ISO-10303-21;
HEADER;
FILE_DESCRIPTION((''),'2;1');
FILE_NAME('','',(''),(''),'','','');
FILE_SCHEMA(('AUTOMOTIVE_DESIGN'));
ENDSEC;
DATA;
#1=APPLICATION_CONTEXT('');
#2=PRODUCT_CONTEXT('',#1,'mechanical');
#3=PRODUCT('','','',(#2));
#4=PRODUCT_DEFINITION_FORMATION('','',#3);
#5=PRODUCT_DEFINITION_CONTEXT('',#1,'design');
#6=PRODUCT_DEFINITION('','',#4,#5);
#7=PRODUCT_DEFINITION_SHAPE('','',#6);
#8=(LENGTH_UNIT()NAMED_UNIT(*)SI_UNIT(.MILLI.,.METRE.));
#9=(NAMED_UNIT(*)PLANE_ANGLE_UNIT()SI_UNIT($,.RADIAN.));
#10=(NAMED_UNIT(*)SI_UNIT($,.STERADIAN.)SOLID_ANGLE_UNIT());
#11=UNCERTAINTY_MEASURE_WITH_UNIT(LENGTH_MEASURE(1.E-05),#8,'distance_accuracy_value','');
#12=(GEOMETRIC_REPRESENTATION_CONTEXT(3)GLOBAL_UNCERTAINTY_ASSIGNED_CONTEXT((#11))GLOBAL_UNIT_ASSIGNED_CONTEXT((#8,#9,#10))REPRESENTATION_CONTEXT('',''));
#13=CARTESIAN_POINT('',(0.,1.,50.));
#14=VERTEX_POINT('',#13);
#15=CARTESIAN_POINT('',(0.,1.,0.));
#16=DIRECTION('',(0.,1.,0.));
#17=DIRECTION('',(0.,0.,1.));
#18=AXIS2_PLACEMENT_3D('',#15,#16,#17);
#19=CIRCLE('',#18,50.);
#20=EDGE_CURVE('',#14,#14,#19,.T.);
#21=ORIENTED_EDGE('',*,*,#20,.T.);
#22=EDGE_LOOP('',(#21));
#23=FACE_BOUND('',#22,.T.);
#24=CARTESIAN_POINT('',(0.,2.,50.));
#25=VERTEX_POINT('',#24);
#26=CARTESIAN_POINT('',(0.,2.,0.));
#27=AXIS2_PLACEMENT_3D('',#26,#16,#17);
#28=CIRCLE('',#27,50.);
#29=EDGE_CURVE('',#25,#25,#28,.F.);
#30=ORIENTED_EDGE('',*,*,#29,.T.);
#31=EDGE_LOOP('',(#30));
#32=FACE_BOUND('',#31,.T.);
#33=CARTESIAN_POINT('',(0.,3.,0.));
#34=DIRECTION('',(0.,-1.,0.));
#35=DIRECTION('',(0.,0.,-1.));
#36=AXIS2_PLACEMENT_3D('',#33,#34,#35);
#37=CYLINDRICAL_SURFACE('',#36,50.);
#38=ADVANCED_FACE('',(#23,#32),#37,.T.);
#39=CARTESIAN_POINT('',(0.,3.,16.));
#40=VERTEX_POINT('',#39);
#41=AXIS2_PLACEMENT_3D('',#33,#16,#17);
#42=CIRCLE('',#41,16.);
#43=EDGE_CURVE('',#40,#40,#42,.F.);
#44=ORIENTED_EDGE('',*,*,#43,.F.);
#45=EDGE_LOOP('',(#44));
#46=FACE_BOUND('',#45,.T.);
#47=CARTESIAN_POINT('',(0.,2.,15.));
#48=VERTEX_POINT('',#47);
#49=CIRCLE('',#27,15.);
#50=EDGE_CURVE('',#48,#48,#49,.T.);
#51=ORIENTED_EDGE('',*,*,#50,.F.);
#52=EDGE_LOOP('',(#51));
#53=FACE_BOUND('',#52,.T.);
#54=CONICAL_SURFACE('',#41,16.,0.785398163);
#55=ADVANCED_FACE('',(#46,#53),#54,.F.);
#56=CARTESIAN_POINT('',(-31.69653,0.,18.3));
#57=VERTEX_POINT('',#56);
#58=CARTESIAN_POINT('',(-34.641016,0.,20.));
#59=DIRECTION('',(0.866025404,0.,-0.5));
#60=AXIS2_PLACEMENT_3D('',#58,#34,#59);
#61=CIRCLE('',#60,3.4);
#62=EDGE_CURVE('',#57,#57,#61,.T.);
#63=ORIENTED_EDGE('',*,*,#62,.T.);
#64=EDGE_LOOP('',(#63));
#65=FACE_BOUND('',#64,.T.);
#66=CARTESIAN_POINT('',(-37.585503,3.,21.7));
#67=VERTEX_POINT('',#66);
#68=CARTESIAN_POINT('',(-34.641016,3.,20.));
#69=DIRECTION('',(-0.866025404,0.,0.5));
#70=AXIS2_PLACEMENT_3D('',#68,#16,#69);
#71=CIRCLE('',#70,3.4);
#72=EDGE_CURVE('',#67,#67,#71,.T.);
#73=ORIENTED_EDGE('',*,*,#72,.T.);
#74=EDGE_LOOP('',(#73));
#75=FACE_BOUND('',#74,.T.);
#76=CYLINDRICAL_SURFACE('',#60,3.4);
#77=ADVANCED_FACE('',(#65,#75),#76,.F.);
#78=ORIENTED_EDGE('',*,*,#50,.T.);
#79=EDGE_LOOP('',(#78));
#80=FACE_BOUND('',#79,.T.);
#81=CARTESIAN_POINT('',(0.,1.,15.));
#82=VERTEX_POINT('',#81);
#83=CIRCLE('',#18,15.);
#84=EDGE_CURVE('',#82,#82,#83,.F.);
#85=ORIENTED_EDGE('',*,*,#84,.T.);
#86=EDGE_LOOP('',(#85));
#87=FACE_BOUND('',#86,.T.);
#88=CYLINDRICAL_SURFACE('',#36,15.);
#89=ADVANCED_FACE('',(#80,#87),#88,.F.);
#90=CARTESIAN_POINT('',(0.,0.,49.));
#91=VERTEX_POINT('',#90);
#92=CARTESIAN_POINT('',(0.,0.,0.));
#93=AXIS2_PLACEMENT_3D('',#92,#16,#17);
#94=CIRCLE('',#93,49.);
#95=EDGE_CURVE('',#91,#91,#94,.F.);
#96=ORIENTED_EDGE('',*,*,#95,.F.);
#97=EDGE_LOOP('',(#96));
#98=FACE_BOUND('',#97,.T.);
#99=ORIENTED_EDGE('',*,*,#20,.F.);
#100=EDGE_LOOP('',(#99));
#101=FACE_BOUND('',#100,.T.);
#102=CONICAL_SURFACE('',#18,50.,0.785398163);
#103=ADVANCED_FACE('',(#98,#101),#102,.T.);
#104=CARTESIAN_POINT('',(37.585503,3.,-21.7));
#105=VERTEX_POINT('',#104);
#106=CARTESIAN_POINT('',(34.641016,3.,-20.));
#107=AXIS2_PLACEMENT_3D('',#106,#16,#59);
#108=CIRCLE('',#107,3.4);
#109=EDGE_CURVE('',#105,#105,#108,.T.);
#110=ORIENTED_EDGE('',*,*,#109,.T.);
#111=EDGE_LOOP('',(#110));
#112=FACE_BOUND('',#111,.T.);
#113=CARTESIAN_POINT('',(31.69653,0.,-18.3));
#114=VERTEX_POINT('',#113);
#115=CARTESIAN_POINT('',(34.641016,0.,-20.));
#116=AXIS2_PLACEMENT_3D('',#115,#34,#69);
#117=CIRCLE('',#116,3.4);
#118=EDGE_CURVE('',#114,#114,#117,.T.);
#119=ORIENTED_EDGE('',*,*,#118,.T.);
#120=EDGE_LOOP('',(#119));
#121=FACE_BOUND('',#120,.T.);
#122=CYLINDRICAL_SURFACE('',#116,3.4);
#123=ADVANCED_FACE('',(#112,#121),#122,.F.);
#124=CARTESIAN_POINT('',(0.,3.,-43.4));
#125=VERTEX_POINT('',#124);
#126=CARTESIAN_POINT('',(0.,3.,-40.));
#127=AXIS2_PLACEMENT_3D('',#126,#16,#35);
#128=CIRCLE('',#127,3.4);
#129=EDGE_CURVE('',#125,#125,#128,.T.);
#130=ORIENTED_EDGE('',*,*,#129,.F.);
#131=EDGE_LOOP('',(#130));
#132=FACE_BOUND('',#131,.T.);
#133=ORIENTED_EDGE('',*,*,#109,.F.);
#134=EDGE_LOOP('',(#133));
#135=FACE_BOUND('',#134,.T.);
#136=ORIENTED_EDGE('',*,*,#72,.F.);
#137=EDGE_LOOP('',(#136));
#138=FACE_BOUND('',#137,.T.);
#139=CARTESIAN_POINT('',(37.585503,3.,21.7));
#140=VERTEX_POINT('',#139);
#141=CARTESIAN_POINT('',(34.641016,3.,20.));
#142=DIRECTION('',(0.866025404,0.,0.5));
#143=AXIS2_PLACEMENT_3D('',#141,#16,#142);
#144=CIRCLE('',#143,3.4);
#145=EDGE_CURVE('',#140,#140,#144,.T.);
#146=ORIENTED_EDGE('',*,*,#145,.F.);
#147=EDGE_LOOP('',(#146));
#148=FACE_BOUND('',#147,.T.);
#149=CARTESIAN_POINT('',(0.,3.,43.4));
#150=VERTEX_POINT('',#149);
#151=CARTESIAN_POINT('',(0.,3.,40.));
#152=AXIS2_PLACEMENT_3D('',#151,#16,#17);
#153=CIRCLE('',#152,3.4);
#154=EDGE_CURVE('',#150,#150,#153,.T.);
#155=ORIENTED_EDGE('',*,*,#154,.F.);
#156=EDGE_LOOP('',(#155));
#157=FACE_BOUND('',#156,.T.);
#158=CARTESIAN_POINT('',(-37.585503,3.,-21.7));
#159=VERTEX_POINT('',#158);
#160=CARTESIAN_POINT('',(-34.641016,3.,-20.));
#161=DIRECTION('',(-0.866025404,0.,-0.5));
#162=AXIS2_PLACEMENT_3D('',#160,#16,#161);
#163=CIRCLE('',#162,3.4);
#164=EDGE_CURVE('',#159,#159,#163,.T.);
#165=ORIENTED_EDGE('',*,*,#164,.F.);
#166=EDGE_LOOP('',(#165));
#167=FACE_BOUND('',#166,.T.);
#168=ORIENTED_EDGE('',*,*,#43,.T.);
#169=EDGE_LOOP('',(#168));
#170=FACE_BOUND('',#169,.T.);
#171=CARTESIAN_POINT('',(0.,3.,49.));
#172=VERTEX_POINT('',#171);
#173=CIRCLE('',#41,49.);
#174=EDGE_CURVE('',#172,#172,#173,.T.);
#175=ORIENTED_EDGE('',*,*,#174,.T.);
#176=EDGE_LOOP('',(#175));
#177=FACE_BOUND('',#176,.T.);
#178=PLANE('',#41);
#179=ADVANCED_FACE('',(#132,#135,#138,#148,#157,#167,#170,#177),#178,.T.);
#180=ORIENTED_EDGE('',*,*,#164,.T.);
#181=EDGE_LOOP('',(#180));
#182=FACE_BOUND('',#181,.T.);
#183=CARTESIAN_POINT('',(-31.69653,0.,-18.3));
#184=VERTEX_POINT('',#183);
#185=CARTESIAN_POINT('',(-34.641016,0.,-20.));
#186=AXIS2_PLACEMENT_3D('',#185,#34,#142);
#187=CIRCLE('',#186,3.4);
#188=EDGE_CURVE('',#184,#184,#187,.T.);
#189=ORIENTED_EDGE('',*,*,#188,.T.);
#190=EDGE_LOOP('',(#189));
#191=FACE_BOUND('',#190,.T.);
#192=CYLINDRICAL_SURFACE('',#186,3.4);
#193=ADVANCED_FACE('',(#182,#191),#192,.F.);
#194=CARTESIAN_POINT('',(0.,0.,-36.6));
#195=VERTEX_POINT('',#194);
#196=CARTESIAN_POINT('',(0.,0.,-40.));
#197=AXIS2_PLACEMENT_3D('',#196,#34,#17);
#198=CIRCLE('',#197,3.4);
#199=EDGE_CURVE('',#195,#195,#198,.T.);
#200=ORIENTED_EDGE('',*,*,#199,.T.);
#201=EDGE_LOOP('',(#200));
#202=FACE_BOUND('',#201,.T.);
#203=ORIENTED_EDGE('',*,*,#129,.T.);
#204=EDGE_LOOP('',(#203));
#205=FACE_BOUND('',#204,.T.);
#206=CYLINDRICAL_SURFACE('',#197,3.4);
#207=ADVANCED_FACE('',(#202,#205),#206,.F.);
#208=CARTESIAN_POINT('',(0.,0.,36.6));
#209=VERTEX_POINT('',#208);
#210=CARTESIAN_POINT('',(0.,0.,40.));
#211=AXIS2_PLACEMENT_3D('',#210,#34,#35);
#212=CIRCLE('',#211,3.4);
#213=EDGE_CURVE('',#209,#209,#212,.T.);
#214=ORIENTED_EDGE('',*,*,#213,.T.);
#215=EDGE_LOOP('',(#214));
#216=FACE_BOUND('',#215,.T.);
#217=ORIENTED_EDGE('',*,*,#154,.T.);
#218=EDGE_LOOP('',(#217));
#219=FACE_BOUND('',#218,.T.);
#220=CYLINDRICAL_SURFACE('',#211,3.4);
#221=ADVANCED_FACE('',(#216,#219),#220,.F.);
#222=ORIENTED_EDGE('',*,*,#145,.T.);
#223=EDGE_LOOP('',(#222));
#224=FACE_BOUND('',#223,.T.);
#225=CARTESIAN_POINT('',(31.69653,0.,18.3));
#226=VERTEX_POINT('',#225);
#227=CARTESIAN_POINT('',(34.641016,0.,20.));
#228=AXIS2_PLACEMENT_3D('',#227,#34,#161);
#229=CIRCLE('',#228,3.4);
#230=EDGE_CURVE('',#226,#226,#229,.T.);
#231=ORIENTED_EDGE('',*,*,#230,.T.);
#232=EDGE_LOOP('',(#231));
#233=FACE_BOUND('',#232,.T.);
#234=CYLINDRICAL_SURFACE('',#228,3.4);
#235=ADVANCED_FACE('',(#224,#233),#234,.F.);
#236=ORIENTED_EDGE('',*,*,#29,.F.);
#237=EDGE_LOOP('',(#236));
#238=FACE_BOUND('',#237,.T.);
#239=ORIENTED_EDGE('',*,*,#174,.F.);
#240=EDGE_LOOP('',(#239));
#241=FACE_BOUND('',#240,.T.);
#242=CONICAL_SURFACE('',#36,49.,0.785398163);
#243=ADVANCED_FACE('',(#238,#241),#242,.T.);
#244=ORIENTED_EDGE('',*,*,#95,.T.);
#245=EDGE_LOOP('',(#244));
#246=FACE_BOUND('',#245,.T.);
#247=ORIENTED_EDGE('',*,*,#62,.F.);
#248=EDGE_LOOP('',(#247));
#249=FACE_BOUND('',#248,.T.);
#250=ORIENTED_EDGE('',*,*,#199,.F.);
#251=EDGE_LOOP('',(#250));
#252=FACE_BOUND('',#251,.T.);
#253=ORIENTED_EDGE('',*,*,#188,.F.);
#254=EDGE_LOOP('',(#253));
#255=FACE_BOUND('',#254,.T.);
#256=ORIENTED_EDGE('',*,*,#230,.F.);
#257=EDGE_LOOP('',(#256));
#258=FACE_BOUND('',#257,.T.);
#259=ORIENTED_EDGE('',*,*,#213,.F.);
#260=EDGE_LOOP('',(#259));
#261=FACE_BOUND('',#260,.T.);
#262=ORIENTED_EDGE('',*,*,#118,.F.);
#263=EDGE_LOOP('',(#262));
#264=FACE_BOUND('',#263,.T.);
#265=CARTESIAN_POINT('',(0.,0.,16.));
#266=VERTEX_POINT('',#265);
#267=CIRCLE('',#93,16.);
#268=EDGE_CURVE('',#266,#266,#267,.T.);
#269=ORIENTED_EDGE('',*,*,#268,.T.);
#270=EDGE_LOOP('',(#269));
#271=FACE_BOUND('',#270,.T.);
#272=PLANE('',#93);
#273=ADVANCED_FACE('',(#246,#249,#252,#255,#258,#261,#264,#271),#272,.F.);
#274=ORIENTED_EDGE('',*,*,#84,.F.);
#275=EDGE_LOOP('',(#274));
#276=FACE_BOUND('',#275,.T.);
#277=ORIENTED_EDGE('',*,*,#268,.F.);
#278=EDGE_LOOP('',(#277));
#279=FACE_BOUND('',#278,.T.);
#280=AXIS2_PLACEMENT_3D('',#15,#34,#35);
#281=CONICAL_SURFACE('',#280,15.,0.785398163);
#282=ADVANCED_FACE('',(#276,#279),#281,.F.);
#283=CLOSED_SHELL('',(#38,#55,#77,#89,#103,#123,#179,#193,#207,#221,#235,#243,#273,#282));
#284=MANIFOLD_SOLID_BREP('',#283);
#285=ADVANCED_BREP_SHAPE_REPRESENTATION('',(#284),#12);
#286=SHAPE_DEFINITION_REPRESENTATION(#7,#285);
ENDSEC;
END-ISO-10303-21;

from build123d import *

# Parameters (mm, degrees)
SKETCH_1_R               = 50
EXTRUDE_1_DEPTH          = 3
PATTERN_CIRCULAR_1_COUNT = 6
SKETCH_7_R               = 15
CUT_EXTRUDE_1_DEPTH      = 3
CHAMFER_1_SIZE           = 1


with BuildPart() as part:
    # 草图1 → 凸台-拉伸1 (new body)
    with BuildSketch(Plane(origin=(0, 0, 0), x_dir=(1, 0, 0), z_dir=(0, 1, 0))):
        with Locations(Location((0, 0, 0), (0, 0, 270))):
            Circle(SKETCH_1_R)
    extrude(amount=EXTRUDE_1_DEPTH)

    # 草图6 → M8 螺纹孔的螺纹孔钻头1 (revolve, cut)
    with BuildSketch(Plane(origin=(0, 0, 40), x_dir=(0, 0, -1), z_dir=(1, 0, 0))):
        Polygon((0, 0), (0, 18.042926105), (3.4, 16), (3.4, 0), align=None)
    hole_wizard_m8_1 = revolve(axis=Axis((0, -6.35, 40), (0, 1, 0)), mode=Mode.SUBTRACT)

    # 阵列(圆周)1: M8 螺纹孔的螺纹孔钻头1 ×6 about axis
    pattern_circular_1_axis = Axis((0, 0, 0), (0, 1, 0))
    for i in range(1, PATTERN_CIRCULAR_1_COUNT):
        add(hole_wizard_m8_1.rotate(pattern_circular_1_axis, i * 360 / PATTERN_CIRCULAR_1_COUNT), mode=Mode.SUBTRACT)

    # 草图7 → 切除-拉伸1 (cut)
    with BuildSketch(Plane.XZ):
        with Locations(Location((0, 0, 0), (0, 0, 270))):
            Circle(SKETCH_7_R)
    extrude(amount=-CUT_EXTRUDE_1_DEPTH, mode=Mode.SUBTRACT)

    # 倒角1
    chamfer_1_edges = [part.edges().sort_by_distance(p)[0] for p in [
        (0, 0, -50),
        (0, 3, 15),
        (0, 0, 15),
        (0, 3, -50),
    ]]
    chamfer(chamfer_1_edges, length=CHAMFER_1_SIZE)


solid = part.part
